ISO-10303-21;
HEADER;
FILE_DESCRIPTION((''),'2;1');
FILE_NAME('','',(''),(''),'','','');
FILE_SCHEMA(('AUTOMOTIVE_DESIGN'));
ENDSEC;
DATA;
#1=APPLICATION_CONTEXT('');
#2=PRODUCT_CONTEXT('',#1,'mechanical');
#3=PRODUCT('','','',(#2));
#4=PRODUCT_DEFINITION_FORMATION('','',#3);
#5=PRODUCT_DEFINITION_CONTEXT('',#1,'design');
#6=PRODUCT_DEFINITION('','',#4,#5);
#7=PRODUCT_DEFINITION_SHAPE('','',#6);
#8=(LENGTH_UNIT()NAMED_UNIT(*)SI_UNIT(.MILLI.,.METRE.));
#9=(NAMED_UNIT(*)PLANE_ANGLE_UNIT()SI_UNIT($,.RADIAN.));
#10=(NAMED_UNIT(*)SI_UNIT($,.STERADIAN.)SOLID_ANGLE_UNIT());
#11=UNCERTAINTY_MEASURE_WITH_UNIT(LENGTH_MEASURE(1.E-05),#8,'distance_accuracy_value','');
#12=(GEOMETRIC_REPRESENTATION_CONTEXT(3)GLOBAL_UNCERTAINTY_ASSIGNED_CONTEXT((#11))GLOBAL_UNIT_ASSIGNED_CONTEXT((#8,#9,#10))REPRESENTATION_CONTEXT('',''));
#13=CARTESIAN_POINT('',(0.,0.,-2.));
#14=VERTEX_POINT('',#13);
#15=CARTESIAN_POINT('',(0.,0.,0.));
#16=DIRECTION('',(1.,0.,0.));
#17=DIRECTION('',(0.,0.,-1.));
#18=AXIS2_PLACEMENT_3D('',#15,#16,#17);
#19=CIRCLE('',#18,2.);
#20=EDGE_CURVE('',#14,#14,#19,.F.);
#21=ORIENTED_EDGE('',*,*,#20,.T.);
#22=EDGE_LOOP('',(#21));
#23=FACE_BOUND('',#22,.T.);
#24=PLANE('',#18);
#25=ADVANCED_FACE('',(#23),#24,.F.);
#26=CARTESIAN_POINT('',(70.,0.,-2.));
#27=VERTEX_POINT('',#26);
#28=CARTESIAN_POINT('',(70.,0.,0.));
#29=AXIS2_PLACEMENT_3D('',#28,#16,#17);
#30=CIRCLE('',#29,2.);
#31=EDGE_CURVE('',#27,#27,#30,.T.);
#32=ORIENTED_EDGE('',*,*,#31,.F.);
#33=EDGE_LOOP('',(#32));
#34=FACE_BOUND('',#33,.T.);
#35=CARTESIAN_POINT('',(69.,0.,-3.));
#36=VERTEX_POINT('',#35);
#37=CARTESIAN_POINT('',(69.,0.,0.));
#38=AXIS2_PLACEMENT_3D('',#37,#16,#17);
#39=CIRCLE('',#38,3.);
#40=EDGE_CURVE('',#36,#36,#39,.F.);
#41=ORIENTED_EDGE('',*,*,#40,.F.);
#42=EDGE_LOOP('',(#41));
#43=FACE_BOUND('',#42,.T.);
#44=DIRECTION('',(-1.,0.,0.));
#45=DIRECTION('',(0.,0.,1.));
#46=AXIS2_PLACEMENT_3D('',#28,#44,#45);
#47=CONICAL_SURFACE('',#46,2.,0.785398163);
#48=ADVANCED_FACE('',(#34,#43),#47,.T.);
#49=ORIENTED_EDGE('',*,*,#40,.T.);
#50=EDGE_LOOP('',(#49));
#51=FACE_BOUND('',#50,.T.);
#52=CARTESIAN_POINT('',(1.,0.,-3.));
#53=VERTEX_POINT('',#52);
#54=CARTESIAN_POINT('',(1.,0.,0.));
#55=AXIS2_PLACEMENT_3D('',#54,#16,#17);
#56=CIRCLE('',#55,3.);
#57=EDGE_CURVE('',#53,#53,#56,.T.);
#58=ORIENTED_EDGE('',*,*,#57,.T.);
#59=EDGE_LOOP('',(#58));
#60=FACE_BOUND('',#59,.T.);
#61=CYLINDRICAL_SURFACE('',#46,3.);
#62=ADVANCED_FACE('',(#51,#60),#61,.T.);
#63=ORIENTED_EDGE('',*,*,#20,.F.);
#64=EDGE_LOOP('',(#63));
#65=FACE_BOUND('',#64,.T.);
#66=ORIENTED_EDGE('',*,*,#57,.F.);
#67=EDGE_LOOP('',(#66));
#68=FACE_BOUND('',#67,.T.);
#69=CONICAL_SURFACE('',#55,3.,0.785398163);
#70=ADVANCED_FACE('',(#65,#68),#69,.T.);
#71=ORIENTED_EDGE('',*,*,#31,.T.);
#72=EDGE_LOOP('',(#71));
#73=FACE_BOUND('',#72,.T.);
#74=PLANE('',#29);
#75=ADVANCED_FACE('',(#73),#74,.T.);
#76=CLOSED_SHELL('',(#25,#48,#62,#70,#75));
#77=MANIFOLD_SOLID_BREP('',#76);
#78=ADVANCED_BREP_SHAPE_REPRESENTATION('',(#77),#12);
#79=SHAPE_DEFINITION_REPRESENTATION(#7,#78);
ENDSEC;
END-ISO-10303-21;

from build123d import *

# Parameters (mm, degrees)
SCHIZZO1_R                   = 3
ESTRUSIONE_ESTRUSIONE1_DEPTH = 70
SMUSSO1_SIZE                 = 1


with BuildPart() as part:
    # Schizzo1 → Estrusione-Estrusione1 (new body)
    with BuildSketch(Plane(origin=(0, 0, 0), x_dir=(0, 0, -1), z_dir=(1, 0, 0))):
        Circle(SCHIZZO1_R)
    extrude(amount=ESTRUSIONE_ESTRUSIONE1_DEPTH)

    # Smusso1
    smusso1_edges = [part.edges().sort_by_distance(p)[0] for p in [
        (0, 0, 3),
        (70, 0, 3),
    ]]
    chamfer(smusso1_edges, length=SMUSSO1_SIZE)


solid = part.part
